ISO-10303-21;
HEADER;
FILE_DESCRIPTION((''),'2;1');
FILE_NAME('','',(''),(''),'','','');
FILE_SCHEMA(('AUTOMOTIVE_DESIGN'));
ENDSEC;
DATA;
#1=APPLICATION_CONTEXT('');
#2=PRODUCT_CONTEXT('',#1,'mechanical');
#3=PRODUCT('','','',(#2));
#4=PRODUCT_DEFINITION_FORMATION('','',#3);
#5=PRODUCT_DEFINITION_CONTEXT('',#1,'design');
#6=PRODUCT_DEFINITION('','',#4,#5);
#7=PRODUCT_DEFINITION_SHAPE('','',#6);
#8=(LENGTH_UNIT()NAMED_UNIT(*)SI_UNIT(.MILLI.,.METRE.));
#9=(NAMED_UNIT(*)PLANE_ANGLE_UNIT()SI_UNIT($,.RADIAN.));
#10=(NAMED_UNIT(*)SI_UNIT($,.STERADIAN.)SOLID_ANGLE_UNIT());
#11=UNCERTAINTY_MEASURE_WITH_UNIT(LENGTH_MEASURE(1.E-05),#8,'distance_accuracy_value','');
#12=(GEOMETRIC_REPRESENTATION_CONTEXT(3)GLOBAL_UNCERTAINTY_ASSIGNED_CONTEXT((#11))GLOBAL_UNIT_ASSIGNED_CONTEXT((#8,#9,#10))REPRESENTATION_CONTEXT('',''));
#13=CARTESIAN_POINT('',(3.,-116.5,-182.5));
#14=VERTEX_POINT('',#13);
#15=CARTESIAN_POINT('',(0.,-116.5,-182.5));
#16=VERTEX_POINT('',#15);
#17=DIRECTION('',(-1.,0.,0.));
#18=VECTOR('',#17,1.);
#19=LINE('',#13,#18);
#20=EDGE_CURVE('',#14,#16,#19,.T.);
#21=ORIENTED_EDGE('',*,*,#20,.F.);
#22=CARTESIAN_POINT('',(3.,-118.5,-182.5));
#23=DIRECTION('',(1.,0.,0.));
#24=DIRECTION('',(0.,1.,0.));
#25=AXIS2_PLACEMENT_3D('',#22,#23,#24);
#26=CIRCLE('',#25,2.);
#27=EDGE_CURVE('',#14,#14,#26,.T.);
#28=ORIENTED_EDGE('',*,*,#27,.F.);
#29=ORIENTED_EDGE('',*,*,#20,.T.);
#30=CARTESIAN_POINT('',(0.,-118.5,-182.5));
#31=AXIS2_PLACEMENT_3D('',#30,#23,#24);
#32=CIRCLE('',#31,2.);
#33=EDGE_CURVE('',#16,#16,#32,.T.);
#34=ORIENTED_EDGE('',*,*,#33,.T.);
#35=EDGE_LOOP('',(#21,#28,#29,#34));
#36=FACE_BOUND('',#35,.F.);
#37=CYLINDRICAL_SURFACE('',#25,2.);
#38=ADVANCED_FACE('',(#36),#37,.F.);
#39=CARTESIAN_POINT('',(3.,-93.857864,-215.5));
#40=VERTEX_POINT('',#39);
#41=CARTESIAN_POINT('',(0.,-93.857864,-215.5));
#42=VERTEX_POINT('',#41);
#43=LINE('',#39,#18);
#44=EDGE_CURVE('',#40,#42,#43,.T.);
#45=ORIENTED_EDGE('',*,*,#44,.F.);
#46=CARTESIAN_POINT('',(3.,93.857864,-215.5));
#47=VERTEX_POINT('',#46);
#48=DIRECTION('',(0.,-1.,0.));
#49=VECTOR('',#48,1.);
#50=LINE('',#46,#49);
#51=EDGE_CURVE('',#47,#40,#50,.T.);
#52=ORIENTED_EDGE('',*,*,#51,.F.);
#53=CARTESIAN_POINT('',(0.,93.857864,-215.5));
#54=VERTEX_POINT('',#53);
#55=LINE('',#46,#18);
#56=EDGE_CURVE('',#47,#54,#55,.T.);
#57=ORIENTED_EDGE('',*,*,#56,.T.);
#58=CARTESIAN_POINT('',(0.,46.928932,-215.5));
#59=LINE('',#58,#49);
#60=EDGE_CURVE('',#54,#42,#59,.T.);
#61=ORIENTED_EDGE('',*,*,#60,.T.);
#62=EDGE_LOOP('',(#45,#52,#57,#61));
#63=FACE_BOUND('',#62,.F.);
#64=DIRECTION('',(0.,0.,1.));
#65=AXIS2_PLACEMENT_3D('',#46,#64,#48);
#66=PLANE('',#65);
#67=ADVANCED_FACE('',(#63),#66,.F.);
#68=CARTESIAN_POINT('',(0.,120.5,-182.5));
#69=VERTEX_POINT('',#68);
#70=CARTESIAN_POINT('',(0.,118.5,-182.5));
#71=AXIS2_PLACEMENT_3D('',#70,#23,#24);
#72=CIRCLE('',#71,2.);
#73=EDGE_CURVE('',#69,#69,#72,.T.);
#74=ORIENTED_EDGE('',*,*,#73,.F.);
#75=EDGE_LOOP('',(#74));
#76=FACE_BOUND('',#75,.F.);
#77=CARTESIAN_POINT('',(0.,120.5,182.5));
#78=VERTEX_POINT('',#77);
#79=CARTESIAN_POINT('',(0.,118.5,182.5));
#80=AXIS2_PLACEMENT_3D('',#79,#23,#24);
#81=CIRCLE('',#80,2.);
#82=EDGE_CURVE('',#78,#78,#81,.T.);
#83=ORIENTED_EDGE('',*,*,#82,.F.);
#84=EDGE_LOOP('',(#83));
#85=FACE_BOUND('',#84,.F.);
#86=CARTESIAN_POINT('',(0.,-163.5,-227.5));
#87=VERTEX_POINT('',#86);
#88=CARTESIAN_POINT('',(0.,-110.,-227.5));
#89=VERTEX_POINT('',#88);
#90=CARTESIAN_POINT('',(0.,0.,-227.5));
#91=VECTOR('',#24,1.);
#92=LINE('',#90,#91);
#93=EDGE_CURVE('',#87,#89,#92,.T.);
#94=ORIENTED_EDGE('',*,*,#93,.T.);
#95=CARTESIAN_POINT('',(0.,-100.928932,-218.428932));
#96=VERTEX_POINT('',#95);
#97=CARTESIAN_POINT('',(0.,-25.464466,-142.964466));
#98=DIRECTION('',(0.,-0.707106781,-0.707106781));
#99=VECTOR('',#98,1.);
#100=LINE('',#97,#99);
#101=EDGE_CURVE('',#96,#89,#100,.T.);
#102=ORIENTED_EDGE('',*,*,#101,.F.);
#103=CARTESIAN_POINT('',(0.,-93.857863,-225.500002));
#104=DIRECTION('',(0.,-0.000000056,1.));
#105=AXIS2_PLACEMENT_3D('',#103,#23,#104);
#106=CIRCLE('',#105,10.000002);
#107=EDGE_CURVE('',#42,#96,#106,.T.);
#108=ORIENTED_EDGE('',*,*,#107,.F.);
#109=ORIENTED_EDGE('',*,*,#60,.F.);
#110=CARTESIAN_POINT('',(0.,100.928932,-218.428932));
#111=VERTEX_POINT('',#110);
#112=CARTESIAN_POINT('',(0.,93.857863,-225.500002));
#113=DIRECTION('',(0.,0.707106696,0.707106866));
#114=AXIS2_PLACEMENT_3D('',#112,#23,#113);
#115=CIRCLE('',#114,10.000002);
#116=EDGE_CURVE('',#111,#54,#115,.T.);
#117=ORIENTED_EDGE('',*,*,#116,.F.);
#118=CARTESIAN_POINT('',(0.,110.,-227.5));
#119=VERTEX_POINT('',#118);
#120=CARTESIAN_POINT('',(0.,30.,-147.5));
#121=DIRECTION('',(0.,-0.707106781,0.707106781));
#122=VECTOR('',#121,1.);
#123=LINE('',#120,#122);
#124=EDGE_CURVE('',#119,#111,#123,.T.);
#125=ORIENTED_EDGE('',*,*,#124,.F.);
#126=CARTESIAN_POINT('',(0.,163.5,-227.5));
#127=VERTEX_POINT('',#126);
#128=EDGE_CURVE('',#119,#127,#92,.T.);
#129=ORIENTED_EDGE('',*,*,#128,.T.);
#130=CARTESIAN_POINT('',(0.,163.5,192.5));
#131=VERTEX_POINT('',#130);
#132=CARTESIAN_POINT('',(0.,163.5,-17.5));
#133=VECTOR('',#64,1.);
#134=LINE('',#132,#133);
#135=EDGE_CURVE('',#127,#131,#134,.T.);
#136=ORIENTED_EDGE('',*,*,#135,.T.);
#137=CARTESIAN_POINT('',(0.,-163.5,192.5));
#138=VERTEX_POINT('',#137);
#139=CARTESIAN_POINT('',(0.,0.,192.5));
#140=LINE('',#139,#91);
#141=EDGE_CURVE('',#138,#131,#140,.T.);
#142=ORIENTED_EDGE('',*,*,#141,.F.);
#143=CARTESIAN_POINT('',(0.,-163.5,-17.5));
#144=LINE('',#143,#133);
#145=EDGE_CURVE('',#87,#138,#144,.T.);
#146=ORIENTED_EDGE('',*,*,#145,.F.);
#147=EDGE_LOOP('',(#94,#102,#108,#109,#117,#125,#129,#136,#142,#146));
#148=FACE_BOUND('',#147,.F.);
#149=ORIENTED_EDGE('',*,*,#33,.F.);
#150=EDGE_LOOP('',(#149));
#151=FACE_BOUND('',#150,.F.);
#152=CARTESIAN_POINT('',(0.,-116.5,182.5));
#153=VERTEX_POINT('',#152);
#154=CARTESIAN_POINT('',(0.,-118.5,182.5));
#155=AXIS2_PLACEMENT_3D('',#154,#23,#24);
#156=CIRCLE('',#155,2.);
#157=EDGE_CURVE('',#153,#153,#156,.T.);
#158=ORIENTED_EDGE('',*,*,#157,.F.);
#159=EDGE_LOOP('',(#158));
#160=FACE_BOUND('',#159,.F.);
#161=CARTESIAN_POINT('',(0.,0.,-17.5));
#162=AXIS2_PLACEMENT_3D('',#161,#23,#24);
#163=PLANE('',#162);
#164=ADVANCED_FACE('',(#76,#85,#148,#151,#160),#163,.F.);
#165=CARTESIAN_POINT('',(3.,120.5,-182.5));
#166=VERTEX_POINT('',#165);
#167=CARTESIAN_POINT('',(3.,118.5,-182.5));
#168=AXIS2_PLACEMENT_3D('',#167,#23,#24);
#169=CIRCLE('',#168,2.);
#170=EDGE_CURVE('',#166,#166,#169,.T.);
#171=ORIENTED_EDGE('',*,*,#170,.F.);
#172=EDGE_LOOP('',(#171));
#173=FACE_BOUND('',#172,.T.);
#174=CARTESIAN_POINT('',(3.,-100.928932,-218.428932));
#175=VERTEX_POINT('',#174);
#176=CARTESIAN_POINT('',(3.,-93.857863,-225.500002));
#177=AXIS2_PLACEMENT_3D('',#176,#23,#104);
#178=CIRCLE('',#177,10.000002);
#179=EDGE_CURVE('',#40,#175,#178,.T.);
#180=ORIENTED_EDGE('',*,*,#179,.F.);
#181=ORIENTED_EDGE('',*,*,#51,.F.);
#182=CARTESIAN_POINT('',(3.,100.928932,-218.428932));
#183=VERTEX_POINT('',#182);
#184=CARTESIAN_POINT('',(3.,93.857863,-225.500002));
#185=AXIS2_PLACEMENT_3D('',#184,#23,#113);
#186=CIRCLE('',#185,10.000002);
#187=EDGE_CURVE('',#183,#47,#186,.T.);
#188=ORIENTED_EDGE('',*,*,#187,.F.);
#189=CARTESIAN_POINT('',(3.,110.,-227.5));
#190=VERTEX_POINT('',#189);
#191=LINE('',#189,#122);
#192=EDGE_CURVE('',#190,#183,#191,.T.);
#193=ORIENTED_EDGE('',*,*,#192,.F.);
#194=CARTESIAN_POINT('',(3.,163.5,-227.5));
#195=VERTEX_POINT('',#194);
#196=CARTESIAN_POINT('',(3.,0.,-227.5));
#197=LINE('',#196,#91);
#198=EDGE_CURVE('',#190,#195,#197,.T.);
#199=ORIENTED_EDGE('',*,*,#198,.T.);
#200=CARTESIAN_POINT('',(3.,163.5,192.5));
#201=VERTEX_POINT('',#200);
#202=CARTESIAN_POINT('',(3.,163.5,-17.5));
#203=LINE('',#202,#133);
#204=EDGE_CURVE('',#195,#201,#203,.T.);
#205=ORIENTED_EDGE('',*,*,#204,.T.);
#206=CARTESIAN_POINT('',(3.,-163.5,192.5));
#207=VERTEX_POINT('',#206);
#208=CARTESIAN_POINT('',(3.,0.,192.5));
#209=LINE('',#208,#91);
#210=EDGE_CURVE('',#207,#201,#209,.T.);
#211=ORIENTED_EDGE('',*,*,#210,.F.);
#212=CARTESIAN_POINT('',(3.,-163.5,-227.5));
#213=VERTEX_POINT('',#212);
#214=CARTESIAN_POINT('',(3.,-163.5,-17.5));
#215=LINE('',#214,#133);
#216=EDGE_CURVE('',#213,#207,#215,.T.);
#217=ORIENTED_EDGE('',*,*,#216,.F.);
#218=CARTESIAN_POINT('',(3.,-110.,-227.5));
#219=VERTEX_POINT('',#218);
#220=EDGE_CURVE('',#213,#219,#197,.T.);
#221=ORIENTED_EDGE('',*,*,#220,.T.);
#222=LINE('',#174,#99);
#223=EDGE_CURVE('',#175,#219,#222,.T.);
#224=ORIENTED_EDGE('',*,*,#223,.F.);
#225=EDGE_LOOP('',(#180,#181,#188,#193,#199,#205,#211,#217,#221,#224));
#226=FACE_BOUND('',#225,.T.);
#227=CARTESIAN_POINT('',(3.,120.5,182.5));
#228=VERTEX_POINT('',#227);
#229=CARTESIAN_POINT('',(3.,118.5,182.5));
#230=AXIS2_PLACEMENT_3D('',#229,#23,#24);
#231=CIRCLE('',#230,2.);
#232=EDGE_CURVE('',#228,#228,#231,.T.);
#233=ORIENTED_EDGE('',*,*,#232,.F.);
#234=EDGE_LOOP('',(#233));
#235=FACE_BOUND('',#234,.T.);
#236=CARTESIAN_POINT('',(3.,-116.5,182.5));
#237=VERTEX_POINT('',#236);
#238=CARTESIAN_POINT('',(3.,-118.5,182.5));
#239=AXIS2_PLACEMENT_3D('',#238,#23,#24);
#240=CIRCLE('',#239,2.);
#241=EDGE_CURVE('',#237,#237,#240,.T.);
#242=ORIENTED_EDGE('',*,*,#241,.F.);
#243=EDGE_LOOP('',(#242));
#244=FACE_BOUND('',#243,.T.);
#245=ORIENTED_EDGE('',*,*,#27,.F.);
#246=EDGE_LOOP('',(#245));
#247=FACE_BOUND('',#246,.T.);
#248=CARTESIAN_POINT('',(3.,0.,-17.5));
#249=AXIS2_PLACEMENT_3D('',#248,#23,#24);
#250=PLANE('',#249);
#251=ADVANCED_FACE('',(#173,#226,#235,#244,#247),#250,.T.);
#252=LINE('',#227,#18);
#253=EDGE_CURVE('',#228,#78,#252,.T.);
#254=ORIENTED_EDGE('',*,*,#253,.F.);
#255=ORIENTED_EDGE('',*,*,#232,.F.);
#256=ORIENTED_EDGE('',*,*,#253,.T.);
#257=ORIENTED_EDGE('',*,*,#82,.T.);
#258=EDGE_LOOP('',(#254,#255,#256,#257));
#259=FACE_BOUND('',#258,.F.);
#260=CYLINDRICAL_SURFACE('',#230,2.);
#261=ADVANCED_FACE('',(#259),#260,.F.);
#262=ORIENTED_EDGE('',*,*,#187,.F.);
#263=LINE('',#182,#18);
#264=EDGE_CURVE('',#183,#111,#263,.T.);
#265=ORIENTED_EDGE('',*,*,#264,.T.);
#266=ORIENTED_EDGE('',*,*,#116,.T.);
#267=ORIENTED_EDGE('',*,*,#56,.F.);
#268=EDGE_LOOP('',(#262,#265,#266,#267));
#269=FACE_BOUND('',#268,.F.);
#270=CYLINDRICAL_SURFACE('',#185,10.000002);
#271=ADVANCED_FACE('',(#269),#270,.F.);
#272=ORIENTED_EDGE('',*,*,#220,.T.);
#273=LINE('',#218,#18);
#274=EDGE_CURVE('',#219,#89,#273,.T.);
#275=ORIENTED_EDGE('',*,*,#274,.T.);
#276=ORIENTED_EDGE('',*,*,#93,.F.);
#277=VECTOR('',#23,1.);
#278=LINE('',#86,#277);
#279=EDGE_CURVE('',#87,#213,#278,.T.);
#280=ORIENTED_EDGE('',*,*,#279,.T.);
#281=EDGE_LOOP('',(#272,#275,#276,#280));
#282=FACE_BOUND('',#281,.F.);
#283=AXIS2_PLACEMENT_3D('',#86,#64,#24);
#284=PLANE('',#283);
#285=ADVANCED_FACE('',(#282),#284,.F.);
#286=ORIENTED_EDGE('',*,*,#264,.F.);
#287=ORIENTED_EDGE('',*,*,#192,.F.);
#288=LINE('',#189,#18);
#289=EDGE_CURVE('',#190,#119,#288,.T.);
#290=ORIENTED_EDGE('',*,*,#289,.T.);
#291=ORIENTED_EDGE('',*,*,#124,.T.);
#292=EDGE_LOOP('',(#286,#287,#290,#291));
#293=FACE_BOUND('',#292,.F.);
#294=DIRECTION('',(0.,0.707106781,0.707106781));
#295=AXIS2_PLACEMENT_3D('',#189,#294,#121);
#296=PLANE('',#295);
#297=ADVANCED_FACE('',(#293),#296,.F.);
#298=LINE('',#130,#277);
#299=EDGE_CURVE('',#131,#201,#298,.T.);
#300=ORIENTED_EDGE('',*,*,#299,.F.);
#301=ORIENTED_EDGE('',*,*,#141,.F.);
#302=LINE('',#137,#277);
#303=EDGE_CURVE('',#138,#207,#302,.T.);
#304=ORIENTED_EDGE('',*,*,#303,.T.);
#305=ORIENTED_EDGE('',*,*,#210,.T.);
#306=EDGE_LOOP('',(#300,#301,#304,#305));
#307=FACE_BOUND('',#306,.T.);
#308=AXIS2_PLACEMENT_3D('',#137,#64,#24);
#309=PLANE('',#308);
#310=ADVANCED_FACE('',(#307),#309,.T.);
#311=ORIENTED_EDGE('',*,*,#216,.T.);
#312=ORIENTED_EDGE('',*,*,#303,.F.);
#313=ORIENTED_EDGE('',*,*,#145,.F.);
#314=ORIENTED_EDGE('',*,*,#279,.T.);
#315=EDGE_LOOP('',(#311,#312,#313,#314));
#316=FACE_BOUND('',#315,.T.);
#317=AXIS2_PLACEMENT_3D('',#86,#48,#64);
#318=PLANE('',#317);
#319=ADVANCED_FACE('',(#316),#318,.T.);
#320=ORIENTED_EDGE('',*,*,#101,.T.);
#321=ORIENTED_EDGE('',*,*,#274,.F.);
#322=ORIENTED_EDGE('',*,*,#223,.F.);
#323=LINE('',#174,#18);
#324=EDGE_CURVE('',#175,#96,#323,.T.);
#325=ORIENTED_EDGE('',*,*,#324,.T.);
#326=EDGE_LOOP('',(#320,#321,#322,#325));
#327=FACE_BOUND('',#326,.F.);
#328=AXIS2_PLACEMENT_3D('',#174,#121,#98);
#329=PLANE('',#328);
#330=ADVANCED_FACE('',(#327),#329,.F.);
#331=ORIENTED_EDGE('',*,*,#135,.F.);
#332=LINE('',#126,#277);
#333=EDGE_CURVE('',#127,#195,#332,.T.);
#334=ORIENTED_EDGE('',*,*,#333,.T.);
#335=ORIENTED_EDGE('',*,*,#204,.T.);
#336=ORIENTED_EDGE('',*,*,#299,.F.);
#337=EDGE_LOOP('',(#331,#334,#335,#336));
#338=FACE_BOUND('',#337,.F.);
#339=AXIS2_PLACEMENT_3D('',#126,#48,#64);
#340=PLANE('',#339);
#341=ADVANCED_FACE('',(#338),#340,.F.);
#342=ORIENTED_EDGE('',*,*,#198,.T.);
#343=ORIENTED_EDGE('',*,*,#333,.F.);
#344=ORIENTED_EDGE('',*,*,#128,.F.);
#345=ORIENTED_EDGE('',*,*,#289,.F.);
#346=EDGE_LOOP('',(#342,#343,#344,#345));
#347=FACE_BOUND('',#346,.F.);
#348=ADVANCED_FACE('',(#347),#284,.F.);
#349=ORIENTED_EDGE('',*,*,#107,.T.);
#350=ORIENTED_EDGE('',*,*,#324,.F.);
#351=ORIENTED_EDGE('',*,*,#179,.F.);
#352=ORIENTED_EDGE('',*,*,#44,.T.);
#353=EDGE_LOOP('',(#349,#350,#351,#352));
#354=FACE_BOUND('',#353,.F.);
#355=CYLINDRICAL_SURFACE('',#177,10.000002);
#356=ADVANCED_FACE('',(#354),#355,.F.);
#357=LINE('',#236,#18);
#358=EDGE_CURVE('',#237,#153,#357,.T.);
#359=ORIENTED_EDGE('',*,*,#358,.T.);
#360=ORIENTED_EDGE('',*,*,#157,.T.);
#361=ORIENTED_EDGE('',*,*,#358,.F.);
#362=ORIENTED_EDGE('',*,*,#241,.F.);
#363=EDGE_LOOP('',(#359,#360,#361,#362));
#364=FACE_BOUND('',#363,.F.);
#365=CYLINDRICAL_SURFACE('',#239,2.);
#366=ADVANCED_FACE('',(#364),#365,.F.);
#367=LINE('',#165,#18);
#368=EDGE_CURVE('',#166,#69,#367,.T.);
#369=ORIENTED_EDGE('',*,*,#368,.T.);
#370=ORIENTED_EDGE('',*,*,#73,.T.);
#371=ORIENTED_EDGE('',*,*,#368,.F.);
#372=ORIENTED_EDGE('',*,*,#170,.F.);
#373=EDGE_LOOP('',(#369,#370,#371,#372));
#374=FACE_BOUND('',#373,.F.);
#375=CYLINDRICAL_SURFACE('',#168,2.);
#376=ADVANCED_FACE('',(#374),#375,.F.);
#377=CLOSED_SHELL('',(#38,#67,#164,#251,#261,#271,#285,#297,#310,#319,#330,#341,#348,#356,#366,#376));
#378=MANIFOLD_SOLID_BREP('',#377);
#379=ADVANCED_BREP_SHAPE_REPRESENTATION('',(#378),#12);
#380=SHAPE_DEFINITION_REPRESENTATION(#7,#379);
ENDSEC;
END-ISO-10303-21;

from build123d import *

# Parameters (mm, degrees)
SKETCH_W        = 327
SKETCH_H        = 420
PAD_DEPTH       = 3
SKETCH001_R     = 2
POCKET_DEPTH    = 3.001
POCKET001_DEPTH = 3.001


with BuildPart() as part:
    # Sketch → Pad (new body)
    with BuildSketch(Plane.YZ):
        with Locations((0, -17.5)):
            Rectangle(SKETCH_W, SKETCH_H)
    extrude(amount=PAD_DEPTH)

    # Sketch001 (on Face6 of Pad) → Pocket (cut, through all)
    with BuildSketch(Plane.YZ.offset(3)):
        with Locations((-118.5, 182.5)):
            Circle(SKETCH001_R)
        with Locations((118.5, 182.5)):
            Circle(SKETCH001_R)
        with Locations((-118.5, -182.5)):
            Circle(SKETCH001_R)
        with Locations((118.5, -182.5)):
            Circle(SKETCH001_R)
    extrude(amount=-POCKET_DEPTH, mode=Mode.SUBTRACT)

    # Sketch002 (on Face5 of Pocket) → Pocket001 (cut, through all)
    with BuildSketch(Plane.YZ.offset(3)):
        with BuildLine():
            Line((-110, -227.5), (110, -227.5))
            Line((110, -227.5), (100.928932, -218.428932))
            ThreePointArc((100.928932, -218.428932), (97.684699, -216.261205), (93.857864, -215.5))
            Line((93.857864, -215.5), (-93.857864, -215.5))
            ThreePointArc((-93.857864, -215.5), (-97.684699, -216.261205), (-100.928932, -218.428932))
            Line((-100.928932, -218.428932), (-110, -227.5))
        make_face()
    extrude(amount=-POCKET001_DEPTH, mode=Mode.SUBTRACT)


solid = part.part
